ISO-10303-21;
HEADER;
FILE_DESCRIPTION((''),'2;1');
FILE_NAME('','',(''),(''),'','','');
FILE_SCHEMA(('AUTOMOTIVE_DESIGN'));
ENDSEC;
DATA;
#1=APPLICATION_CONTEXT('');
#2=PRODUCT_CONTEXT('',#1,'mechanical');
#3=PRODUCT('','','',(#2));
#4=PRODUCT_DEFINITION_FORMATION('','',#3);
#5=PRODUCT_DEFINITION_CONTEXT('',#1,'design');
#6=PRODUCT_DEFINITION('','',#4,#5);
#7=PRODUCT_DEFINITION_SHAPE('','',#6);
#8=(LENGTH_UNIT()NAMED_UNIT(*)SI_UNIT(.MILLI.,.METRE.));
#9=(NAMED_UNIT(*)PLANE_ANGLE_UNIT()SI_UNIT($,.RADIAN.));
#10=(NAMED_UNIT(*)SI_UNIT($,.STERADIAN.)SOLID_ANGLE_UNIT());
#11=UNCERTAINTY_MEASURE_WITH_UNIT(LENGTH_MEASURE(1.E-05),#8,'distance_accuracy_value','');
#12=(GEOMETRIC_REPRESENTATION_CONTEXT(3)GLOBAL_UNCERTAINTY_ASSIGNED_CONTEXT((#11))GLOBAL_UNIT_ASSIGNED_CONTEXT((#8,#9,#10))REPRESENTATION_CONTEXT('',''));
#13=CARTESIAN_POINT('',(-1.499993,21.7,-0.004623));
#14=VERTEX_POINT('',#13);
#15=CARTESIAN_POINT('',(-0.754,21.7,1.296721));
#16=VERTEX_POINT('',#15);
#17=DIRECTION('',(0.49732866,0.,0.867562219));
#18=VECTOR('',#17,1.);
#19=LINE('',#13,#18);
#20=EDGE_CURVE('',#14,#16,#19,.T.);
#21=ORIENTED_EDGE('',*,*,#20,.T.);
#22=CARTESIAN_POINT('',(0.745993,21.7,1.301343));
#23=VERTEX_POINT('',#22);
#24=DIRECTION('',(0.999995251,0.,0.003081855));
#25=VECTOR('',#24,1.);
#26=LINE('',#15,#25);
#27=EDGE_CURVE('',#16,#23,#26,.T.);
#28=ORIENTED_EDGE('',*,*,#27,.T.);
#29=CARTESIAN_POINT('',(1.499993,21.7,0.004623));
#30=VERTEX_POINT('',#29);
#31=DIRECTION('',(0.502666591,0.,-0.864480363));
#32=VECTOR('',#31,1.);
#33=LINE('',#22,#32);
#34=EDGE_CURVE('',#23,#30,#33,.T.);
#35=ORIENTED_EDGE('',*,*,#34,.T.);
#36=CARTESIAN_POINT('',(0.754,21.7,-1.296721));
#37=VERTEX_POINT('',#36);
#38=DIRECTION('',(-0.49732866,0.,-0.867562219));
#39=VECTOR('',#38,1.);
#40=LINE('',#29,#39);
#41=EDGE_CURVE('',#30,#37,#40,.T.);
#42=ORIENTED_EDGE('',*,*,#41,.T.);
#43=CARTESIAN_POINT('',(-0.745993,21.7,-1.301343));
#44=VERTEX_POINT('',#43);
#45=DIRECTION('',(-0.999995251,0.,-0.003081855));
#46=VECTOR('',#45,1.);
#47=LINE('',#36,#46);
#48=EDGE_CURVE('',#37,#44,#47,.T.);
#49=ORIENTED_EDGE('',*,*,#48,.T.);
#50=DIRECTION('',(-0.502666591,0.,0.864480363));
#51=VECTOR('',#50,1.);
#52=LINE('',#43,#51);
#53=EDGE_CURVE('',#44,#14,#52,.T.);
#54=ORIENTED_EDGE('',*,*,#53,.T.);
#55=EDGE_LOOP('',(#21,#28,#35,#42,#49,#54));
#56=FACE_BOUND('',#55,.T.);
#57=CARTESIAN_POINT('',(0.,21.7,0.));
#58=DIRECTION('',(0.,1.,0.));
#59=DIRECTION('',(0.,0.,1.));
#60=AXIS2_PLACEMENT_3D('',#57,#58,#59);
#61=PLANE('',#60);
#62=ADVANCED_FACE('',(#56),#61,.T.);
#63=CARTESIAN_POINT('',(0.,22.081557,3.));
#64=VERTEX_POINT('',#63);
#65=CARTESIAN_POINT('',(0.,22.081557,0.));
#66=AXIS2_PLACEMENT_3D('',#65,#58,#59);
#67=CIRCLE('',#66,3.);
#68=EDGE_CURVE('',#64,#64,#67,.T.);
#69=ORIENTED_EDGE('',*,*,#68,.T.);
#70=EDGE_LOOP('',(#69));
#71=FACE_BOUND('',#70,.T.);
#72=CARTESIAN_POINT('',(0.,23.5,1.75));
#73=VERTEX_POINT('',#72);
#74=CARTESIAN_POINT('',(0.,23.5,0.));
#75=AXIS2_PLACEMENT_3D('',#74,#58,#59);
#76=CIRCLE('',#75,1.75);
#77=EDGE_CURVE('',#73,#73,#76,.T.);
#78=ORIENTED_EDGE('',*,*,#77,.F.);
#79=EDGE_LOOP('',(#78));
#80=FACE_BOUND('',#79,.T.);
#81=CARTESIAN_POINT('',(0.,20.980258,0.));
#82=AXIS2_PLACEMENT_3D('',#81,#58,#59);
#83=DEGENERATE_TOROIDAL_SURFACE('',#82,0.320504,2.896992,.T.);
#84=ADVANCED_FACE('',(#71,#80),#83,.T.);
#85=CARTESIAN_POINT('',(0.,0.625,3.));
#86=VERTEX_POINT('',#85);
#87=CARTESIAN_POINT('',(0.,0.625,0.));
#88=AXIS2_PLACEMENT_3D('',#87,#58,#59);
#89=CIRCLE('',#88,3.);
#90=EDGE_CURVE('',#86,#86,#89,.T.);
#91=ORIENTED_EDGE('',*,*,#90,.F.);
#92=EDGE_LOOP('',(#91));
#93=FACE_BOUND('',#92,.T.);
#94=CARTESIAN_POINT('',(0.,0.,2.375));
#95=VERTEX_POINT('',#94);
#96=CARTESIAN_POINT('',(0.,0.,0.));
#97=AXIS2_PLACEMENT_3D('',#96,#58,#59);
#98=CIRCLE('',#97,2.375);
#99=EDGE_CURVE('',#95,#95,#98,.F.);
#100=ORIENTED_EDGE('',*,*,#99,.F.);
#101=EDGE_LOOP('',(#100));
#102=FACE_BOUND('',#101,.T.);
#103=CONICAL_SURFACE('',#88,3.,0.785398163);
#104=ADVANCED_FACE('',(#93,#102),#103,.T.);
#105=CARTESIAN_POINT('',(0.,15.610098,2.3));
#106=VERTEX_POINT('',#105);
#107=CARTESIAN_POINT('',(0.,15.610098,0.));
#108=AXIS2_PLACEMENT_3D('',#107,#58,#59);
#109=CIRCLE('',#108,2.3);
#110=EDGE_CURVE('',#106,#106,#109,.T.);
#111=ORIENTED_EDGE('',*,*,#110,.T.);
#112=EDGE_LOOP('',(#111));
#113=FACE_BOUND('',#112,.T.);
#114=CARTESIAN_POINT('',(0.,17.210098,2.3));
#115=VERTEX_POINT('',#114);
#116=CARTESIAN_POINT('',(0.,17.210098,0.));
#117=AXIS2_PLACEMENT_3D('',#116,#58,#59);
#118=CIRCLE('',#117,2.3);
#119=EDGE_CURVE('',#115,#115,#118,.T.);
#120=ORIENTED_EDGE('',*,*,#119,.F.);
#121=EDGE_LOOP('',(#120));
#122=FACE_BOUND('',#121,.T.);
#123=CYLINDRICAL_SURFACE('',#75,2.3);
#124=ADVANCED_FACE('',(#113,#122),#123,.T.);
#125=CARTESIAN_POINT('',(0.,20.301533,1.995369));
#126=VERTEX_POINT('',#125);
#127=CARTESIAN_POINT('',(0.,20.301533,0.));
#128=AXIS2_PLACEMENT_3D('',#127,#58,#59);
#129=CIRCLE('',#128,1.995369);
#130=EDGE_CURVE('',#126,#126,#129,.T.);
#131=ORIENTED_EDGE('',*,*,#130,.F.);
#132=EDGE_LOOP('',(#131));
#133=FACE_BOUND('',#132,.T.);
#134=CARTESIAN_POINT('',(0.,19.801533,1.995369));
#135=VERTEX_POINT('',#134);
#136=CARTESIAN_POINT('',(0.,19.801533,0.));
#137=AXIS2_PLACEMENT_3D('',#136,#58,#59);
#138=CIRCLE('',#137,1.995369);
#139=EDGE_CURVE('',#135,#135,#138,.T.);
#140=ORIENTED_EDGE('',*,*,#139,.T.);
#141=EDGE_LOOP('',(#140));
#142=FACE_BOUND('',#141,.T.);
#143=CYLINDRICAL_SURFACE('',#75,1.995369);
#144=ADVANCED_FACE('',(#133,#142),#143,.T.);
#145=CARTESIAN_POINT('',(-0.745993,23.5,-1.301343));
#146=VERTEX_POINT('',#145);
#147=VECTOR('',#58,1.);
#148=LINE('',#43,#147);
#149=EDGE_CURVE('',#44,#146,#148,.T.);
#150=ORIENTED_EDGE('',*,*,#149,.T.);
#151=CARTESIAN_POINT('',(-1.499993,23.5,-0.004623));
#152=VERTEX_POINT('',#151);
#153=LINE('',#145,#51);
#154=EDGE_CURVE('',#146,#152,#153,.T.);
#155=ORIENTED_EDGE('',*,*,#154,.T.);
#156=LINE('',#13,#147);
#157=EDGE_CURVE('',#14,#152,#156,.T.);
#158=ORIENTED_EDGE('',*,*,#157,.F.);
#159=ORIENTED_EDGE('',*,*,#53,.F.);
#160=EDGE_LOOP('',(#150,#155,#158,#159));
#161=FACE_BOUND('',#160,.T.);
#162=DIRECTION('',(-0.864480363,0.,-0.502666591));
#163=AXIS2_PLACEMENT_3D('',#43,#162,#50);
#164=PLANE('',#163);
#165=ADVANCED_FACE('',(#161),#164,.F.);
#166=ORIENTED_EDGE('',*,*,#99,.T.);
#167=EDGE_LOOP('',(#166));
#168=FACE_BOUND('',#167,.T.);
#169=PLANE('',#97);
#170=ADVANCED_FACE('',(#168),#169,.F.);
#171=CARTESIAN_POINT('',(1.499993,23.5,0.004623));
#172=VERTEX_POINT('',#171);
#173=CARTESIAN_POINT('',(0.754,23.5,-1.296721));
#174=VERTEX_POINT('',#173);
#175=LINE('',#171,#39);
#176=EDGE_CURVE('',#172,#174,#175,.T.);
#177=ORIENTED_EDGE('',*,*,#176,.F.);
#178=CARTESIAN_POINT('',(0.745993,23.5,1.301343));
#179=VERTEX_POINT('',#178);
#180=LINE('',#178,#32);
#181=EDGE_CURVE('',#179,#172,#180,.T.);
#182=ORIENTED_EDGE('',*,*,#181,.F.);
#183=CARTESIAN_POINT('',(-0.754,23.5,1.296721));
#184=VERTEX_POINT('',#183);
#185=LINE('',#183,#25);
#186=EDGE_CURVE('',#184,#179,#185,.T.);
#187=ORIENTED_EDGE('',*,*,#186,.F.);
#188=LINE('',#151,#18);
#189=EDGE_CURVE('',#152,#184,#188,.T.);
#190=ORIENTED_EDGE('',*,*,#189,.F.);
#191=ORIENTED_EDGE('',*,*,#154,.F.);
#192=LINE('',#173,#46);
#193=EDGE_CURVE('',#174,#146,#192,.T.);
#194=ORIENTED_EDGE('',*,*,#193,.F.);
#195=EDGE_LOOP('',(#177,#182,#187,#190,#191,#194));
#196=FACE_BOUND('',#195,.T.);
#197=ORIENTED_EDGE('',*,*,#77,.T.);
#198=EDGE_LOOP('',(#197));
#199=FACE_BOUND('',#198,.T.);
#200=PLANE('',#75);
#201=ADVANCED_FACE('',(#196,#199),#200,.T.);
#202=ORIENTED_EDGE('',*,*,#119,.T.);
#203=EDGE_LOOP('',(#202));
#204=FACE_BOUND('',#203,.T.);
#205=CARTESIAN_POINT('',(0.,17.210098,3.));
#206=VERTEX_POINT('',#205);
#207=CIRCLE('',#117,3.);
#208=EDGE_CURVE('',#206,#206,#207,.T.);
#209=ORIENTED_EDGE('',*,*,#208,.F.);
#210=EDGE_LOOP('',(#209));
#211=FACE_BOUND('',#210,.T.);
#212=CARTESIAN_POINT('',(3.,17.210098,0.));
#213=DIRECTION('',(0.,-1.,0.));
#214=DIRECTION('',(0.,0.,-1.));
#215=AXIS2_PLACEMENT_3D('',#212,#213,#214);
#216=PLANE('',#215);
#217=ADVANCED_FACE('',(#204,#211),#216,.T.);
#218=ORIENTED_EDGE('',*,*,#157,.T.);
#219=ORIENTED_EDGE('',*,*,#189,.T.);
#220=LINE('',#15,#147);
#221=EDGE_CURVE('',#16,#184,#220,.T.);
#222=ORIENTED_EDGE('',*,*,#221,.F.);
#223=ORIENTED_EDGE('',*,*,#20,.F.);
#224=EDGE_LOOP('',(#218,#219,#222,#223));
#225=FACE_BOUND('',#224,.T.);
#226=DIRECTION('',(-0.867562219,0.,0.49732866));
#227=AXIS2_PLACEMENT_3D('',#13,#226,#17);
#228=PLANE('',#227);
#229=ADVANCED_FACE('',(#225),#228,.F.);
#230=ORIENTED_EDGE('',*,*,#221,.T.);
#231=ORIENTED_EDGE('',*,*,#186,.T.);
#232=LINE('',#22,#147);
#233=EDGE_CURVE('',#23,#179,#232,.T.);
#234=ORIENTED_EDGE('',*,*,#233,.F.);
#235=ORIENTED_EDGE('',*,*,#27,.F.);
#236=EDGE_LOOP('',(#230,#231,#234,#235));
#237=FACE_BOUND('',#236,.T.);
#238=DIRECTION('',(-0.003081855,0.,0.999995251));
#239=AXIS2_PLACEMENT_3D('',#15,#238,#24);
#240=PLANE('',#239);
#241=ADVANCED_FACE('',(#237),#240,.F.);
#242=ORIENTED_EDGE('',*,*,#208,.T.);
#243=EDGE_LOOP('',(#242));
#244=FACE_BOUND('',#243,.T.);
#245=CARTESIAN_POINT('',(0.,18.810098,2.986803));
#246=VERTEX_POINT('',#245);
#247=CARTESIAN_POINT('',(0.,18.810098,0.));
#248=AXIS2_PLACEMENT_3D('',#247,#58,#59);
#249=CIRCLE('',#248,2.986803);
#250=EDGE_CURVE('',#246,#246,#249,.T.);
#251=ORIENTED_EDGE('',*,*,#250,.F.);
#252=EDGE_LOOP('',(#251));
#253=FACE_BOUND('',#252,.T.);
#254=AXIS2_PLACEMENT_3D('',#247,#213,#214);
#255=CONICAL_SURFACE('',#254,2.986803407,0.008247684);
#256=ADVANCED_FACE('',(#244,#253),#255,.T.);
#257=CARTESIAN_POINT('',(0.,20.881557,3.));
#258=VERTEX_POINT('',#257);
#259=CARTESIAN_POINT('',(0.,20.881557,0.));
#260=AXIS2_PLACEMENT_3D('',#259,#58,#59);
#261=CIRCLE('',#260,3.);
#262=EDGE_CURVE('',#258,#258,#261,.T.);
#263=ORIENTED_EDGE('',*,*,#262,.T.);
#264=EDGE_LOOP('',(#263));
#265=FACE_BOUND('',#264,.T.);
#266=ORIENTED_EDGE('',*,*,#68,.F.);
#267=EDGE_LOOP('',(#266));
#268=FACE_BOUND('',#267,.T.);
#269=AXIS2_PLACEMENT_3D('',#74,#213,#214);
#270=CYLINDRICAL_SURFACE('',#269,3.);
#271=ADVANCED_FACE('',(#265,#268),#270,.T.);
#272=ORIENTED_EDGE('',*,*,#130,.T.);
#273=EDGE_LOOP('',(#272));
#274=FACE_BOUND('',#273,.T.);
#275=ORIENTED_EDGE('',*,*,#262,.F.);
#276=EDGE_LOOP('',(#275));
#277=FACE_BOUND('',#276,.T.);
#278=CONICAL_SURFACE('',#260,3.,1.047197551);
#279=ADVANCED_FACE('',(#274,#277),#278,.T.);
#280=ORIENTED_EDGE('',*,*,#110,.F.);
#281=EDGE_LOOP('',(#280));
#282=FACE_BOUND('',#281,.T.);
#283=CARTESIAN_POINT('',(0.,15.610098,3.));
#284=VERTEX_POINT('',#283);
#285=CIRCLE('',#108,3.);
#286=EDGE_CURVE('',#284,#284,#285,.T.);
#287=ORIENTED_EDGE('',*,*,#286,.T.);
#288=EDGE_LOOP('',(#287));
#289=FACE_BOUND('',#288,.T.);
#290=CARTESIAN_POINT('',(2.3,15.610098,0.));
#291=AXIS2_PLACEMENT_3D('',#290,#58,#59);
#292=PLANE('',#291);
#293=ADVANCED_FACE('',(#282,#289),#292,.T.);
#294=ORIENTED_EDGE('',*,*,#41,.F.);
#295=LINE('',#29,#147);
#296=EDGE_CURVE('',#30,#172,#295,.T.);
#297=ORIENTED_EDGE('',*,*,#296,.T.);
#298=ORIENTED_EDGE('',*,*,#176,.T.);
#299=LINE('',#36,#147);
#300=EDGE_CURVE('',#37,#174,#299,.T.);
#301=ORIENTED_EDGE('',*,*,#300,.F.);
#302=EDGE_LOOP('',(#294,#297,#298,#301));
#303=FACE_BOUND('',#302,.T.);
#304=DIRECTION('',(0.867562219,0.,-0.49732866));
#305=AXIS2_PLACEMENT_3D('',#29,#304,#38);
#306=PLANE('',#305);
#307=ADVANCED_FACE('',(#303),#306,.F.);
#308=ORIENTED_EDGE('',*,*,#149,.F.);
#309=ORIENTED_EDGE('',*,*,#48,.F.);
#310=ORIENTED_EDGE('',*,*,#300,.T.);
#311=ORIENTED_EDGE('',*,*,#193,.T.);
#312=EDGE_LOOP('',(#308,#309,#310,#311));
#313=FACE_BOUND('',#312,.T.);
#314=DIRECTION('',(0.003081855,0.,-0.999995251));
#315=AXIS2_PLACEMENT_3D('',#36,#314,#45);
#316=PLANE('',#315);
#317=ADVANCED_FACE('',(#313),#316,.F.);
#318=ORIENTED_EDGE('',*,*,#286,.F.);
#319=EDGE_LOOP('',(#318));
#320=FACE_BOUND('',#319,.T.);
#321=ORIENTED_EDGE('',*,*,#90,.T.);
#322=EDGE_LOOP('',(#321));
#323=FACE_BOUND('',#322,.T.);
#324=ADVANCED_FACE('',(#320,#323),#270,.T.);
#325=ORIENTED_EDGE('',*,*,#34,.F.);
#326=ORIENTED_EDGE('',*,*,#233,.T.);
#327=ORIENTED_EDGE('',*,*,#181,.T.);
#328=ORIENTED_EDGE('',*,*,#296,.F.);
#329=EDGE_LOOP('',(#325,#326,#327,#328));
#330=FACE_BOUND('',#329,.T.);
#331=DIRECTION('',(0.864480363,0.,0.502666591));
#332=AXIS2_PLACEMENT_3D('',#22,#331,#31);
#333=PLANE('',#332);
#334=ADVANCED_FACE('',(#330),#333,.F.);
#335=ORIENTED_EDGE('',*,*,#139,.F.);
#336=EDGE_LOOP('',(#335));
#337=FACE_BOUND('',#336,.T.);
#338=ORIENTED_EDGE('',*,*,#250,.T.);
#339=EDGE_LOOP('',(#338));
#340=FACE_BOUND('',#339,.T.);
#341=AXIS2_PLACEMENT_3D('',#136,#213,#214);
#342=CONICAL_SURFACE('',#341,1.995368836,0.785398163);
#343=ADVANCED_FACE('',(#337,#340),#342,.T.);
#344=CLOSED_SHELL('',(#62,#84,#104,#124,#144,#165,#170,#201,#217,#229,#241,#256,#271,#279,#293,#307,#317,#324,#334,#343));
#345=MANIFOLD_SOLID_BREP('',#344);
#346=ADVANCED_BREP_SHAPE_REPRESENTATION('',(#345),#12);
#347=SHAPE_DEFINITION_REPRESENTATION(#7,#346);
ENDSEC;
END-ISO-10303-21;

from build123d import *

# Parameters (mm, degrees)
SKETCH1_R           = 3
BOSS_EXTRUDE1_DEPTH = 23.5
CHAMFER1_SIZE       = 0.625
CUT_EXTRUDE1_DEPTH  = 1.8


with BuildPart() as part:
    # Sketch1 → Boss-Extrude1 (new body)
    with BuildSketch(Plane(origin=(0, 0, 0), x_dir=(1, 0, 0), z_dir=(0, 1, 0))):
        with Locations(Location((0, 0, 0), (0, 0, 270))):
            Circle(SKETCH1_R)
    extrude(amount=BOSS_EXTRUDE1_DEPTH)

    # Sketch2 → Cut-Revolve1 (revolve, cut)
    with BuildSketch(Plane.XY, mode=Mode.PRIVATE) as cut_revolve1_sk:
        with BuildLine():
            Line((3, 22.081556921), (3, 20.881556921))
            Line((3, 20.881556921), (1.995368836, 20.301532848))
            Line((1.995368836, 20.301532848), (1.995368836, 19.801532848))
            Line((1.995368836, 19.801532848), (2.986803407, 18.810098278))
            Line((2.986803407, 18.810098278), (3, 17.210098278))
            Line((3, 17.210098278), (2.3, 17.210098278))
            Line((2.3, 17.210098278), (2.3, 15.610098278))
            Line((2.3, 15.610098278), (3, 15.610098278))
            Line((3, 15.610098278), (5.142193945, 15.610098278))
            Line((5.142193945, 15.610098278), (5.142193945, 23.5))
            Line((5.142193945, 23.5), (1.75, 23.5))
            ThreePointArc((1.75, 23.5), (2.493968727, 22.895619403), (3, 22.081556921))
        make_face()
    revolve(cut_revolve1_sk.sketch.rotate(Axis((0, 23.5, 0), (0, -1, 0)), 90), axis=Axis((0, 23.5, 0), (0, -1, 0)), mode=Mode.SUBTRACT)

    # Chamfer1
    chamfer1_edges = [part.edges().sort_by_distance(p)[0] for p in [
        (0, 0, -3),
    ]]
    chamfer(chamfer1_edges, length=CHAMFER1_SIZE)

    # Sketch3 → Cut-Extrude1 (cut)
    with BuildSketch(Plane(origin=(0, 23.5, 0), x_dir=(1, 0, 0), z_dir=(0, 1, 0))):
        Polygon((0.745992991, -1.301343328), (1.499992877, -0.004622783), (0.753999886, 1.296720545), (-0.745992991, 1.301343328), (-1.499992877, 0.004622783), (-0.753999886, -1.296720545), align=None)
    extrude(amount=-CUT_EXTRUDE1_DEPTH, mode=Mode.SUBTRACT)


solid = part.part
